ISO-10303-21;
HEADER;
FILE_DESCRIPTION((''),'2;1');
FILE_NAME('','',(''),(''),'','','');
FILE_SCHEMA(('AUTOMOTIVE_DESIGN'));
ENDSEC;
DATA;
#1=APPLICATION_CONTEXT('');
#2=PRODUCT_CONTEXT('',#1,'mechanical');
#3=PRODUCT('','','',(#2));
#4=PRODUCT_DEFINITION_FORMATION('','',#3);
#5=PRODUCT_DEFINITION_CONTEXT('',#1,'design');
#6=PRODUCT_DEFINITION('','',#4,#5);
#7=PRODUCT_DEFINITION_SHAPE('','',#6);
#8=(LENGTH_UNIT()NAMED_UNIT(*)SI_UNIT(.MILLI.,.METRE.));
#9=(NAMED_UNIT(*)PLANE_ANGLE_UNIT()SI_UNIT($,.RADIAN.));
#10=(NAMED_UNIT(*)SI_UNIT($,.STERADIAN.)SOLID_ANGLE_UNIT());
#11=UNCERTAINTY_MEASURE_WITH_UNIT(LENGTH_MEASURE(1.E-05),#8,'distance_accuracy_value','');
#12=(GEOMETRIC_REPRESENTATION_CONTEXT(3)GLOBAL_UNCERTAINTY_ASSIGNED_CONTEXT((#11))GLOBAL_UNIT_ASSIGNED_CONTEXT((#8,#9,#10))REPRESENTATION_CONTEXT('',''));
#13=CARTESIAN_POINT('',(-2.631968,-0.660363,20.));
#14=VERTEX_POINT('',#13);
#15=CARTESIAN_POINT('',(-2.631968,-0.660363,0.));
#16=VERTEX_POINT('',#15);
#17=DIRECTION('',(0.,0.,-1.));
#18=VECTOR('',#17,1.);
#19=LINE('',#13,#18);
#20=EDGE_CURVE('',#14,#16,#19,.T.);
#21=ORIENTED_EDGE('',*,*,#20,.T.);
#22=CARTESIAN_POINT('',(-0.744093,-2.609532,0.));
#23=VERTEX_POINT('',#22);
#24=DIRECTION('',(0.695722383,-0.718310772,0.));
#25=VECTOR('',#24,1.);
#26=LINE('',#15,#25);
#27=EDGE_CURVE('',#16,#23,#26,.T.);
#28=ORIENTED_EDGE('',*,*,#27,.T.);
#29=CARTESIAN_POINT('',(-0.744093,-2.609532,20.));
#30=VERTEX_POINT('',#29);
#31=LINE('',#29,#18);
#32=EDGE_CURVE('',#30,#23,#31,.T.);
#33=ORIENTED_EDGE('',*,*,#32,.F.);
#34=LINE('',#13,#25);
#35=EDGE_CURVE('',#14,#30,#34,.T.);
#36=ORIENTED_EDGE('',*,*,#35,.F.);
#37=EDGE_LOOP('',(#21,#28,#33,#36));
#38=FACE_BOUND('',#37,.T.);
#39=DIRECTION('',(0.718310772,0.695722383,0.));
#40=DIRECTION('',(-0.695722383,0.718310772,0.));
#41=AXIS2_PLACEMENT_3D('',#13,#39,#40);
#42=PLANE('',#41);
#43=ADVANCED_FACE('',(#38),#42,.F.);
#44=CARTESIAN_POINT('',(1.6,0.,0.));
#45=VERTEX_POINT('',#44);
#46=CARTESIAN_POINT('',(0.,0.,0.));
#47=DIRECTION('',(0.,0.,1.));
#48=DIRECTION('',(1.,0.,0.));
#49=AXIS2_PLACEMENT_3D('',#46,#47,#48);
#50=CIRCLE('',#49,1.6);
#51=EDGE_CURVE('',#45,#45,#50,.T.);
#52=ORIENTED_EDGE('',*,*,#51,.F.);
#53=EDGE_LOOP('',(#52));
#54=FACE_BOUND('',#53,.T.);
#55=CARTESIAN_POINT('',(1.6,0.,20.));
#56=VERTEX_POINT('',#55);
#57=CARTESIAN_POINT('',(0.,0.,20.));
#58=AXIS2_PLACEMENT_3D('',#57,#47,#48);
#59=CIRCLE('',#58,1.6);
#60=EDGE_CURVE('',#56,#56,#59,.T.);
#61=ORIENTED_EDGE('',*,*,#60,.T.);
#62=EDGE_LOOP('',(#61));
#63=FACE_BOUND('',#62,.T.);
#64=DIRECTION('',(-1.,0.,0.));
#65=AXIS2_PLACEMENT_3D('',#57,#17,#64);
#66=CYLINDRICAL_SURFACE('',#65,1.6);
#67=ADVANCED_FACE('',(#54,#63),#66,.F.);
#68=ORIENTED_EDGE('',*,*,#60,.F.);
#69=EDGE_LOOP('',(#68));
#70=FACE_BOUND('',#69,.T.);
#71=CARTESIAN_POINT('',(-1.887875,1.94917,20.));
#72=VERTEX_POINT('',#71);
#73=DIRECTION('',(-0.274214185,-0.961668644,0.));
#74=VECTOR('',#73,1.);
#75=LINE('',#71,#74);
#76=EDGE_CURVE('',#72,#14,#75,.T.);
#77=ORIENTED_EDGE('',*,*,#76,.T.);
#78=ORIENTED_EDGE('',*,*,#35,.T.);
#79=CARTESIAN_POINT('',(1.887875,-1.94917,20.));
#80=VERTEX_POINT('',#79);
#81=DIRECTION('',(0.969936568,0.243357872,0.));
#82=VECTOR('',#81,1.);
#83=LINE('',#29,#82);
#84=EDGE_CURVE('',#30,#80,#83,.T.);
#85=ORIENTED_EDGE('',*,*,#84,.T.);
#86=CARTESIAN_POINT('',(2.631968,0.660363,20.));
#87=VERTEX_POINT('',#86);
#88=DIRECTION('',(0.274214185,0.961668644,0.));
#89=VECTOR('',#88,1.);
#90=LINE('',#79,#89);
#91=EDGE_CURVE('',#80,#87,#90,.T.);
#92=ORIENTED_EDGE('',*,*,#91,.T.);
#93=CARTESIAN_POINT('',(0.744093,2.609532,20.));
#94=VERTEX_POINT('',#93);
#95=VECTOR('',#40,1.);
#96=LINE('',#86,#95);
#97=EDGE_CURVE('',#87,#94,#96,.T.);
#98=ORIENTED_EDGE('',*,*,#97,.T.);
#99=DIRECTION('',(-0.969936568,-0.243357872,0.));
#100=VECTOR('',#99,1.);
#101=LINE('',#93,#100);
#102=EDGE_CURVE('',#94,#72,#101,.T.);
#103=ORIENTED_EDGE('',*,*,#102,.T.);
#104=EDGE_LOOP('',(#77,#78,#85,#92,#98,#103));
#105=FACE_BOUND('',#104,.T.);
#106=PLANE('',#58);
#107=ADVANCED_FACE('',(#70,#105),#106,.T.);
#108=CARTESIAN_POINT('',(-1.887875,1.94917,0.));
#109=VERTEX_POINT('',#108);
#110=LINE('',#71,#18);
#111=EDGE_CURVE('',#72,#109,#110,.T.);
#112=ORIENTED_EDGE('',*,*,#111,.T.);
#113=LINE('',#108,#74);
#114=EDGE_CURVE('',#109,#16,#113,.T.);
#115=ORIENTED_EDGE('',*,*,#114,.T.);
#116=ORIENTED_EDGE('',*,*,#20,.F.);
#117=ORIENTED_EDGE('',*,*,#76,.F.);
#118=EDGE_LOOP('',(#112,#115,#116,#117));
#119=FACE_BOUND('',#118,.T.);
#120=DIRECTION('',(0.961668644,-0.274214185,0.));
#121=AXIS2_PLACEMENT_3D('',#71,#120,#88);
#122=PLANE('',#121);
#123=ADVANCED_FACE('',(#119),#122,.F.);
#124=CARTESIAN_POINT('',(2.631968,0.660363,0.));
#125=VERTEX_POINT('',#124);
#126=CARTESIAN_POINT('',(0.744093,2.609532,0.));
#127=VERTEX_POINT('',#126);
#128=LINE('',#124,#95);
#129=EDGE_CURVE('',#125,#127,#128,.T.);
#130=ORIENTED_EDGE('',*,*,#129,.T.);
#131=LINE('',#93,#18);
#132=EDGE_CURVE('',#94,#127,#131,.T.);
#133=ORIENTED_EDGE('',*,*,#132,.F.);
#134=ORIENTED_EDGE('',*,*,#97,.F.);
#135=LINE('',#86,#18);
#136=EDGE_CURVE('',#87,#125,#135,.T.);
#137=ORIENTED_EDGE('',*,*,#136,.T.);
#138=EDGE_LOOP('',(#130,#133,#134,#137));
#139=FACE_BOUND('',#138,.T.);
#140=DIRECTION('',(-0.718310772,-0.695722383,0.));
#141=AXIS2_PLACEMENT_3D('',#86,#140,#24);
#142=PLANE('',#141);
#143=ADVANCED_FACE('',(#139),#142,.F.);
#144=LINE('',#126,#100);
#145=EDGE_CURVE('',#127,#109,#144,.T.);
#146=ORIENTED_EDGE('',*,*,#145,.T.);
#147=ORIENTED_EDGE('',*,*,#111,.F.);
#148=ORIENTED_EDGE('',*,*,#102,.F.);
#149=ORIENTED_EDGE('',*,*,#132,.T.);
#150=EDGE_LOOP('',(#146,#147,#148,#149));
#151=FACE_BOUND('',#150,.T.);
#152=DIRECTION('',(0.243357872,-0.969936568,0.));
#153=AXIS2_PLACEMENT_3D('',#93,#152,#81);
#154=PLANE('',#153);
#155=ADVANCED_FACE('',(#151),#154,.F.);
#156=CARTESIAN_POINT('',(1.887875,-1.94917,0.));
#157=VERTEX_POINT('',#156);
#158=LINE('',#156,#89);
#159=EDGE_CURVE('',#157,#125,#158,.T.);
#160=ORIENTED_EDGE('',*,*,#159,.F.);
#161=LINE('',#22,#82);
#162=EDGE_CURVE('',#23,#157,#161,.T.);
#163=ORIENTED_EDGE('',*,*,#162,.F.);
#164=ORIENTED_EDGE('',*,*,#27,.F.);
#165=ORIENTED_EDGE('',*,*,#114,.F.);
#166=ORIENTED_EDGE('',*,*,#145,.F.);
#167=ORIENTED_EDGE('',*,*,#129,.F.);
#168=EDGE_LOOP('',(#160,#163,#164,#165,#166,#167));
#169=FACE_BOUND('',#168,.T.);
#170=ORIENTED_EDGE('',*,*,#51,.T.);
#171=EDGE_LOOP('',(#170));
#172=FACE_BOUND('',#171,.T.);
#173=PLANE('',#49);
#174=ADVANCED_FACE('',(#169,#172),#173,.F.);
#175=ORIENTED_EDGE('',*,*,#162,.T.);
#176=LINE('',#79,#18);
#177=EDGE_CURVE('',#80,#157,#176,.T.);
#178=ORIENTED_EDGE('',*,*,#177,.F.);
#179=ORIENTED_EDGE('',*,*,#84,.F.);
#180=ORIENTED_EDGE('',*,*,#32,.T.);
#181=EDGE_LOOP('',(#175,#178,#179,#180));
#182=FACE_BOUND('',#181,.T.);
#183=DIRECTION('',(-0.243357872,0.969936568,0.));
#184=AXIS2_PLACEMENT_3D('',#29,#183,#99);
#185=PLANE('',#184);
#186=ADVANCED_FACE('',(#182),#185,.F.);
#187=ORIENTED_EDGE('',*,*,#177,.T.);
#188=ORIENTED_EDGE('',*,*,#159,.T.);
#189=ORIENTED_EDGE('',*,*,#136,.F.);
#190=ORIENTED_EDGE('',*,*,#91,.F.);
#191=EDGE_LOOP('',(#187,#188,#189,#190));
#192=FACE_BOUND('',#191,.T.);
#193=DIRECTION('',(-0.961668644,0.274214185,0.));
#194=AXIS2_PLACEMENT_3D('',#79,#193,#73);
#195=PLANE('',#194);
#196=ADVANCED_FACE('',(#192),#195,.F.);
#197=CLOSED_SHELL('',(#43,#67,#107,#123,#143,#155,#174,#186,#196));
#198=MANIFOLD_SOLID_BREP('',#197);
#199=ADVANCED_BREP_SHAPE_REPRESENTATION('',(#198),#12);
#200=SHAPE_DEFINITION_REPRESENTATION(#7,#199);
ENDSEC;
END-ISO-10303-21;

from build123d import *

# Parameters (mm, degrees)
SKETCH1_R           = 1.6
BOSS_EXTRUDE1_DEPTH = 20


with BuildPart() as part:
    # Sketch1 → Boss-Extrude1 (new body)
    with BuildSketch(Plane.XY):
        Polygon((1.887874875, -1.949169513), (2.631967752, 0.660362844), (0.744092878, 2.609532357), (-1.887874875, 1.949169513), (-2.631967752, -0.660362844), (-0.744092878, -2.609532357), align=None)
        Circle(SKETCH1_R, mode=Mode.SUBTRACT)
    extrude(amount=BOSS_EXTRUDE1_DEPTH)


solid = part.part
